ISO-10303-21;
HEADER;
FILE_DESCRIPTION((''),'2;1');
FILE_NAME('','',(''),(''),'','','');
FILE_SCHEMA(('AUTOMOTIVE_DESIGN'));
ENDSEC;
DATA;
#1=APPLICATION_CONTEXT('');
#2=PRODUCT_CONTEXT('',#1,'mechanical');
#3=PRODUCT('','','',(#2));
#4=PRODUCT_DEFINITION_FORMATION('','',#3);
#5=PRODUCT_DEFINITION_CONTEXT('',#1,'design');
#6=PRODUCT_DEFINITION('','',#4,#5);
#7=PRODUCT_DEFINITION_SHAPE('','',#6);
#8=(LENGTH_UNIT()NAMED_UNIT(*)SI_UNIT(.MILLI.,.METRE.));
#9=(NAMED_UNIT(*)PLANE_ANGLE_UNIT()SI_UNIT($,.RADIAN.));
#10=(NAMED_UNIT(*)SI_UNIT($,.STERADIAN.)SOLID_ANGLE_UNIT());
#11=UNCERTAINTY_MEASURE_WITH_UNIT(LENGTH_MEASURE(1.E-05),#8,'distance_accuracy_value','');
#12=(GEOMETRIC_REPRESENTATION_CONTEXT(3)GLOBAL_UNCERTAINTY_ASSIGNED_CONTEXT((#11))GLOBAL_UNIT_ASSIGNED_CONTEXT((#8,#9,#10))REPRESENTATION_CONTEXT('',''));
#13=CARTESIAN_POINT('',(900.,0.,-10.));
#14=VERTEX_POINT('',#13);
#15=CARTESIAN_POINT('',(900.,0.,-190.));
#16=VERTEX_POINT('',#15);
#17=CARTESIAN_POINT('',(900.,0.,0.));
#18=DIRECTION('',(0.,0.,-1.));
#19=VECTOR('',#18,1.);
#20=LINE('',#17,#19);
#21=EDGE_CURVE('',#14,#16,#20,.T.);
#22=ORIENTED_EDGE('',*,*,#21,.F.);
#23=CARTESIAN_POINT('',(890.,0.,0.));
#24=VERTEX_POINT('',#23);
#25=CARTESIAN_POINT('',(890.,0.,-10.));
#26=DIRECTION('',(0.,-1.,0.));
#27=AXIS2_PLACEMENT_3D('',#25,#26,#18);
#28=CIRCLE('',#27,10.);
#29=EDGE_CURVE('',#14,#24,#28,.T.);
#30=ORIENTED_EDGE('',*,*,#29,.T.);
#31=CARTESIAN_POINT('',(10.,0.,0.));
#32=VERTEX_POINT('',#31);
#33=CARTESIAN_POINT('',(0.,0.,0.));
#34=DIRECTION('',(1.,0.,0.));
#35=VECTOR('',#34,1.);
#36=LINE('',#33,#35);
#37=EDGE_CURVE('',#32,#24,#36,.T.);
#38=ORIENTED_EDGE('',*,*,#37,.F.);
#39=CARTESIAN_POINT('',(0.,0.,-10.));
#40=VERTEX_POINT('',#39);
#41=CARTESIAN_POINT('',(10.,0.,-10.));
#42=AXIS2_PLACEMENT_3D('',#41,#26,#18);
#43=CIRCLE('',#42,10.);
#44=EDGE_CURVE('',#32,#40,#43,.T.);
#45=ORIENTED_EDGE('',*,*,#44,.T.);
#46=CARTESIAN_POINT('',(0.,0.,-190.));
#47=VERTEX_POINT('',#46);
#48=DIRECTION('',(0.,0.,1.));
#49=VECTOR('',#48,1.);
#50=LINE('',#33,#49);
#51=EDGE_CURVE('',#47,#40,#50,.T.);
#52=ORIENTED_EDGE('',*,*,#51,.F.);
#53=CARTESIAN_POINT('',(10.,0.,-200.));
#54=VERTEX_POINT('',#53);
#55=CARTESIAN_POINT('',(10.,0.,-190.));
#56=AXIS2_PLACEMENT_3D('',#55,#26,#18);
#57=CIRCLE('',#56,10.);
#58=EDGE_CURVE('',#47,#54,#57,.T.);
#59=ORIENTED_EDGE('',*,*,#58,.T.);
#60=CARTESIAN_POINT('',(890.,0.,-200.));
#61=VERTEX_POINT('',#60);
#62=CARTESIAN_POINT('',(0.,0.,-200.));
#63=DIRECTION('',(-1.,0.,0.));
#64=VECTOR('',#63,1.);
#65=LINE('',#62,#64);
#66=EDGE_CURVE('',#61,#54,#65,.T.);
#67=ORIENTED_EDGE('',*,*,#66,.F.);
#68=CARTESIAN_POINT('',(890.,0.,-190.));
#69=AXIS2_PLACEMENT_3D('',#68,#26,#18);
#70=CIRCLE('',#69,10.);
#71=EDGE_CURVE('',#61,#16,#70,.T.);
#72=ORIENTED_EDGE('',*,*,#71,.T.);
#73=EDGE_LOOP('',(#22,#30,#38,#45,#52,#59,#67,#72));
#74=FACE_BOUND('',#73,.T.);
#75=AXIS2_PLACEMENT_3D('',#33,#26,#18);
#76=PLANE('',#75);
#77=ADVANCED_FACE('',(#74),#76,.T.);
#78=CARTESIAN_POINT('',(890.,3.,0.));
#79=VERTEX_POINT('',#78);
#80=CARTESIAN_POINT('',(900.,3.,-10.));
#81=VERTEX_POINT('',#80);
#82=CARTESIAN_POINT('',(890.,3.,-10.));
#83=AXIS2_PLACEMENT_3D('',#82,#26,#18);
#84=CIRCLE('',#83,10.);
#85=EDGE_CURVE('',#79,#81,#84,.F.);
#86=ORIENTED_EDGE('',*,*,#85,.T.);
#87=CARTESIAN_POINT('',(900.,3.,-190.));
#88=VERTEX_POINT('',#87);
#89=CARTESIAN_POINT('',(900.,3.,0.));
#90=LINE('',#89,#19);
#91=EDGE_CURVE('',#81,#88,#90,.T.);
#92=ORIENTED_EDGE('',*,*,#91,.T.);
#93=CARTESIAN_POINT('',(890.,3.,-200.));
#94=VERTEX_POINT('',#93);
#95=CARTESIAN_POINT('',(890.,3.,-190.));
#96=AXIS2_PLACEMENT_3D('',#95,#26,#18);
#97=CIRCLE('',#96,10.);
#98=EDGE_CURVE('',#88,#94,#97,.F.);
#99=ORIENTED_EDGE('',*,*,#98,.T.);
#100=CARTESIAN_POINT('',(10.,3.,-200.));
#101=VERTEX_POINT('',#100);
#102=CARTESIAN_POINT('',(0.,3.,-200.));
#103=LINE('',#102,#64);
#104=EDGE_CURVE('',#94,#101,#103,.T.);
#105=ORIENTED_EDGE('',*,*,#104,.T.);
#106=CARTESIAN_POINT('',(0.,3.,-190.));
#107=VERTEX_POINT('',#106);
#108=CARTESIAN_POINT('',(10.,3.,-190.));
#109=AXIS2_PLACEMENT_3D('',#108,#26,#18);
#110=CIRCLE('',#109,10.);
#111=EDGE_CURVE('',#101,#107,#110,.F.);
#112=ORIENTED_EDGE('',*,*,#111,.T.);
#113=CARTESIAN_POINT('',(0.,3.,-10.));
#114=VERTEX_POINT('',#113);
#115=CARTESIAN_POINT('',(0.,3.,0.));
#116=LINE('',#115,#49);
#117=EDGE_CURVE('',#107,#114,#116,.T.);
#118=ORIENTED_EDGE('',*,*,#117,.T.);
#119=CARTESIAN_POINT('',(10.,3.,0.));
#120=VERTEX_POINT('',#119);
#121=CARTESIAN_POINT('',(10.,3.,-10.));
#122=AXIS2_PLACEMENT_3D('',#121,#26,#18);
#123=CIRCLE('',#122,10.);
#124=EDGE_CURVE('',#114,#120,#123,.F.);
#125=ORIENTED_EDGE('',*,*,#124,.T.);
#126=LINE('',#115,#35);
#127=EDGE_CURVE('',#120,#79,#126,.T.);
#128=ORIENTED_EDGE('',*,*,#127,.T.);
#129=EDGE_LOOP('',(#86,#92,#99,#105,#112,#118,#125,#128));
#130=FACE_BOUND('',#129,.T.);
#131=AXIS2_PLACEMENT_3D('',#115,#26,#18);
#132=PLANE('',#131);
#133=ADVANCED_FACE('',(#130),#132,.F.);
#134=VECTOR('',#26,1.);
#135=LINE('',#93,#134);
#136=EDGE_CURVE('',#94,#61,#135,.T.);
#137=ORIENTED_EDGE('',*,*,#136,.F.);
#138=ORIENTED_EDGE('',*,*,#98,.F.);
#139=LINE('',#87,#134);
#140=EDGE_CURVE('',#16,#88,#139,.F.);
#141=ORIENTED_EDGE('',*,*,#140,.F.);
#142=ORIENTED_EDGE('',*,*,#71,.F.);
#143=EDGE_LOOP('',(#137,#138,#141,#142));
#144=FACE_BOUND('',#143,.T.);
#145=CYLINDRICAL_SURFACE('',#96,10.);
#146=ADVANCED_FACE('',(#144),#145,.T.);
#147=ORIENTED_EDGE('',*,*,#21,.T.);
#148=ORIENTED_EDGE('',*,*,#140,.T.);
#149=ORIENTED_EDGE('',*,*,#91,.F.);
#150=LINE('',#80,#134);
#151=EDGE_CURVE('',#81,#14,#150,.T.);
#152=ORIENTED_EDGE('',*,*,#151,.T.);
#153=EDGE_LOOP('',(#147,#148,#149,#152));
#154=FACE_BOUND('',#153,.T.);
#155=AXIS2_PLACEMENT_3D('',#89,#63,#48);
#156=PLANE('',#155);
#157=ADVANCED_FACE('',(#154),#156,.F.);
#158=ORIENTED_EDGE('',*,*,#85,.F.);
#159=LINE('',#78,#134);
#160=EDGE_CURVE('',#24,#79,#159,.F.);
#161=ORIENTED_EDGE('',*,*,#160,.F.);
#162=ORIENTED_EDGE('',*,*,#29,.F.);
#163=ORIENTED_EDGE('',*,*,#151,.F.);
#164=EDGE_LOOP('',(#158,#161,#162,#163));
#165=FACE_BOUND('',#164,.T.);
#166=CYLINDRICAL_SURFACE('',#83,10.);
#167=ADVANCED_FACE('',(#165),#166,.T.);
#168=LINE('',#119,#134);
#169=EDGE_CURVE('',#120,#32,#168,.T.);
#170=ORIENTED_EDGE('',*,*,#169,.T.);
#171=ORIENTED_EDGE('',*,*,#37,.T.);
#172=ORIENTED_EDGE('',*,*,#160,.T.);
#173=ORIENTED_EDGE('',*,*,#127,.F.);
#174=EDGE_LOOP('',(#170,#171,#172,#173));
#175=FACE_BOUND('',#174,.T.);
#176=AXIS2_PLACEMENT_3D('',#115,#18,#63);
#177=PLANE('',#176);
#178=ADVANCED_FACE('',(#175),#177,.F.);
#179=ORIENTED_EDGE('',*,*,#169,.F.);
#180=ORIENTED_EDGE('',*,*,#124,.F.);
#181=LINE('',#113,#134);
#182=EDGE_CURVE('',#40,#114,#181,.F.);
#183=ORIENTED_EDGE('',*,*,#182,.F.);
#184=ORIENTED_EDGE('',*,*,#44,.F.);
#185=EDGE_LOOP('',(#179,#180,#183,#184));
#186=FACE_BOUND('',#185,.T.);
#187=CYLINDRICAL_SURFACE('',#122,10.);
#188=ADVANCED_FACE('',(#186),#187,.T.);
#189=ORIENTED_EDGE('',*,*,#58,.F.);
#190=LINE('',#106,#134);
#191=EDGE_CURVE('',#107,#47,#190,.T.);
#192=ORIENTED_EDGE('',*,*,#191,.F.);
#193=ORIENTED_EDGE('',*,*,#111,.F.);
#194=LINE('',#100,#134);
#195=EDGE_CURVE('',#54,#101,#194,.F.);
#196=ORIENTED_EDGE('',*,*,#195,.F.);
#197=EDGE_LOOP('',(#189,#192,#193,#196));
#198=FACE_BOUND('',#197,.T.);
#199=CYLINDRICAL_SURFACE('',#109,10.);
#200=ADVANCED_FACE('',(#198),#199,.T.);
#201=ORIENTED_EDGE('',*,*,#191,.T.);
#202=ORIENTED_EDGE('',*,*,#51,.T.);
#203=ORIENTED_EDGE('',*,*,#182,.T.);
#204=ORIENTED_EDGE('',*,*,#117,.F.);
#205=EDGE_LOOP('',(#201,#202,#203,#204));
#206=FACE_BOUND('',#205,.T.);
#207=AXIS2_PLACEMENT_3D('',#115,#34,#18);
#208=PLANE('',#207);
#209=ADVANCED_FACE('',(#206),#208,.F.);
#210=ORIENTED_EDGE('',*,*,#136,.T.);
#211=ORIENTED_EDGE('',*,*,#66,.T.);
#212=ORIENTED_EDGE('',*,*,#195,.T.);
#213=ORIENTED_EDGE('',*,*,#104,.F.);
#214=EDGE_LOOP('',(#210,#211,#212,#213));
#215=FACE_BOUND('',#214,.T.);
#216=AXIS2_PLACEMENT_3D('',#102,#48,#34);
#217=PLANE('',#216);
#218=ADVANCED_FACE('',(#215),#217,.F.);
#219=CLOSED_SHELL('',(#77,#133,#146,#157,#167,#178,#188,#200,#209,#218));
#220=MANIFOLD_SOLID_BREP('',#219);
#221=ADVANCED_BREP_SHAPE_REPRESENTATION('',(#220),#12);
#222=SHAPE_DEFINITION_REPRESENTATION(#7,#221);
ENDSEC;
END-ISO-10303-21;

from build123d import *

# Parameters (mm, degrees)
SKETCH1_W           = 900
SKETCH1_H           = 200
BOSS_EXTRUDE1_DEPTH = 3
FILLET2_R           = 10


with BuildPart() as part:
    # Sketch1 → Boss-Extrude1 (new body)
    with BuildSketch(Plane(origin=(0, 0, 0), x_dir=(1, 0, 0), z_dir=(0, 1, 0))):
        with Locations((450, 100)):
            Rectangle(SKETCH1_W, SKETCH1_H)
    extrude(amount=BOSS_EXTRUDE1_DEPTH)

    # Fillet2
    fillet2_edges = [part.edges().sort_by_distance(p)[0] for p in [
        (0, 1.5, -200),
        (900, 1.5, -200),
        (900, 1.5, 0),
        (0, 1.5, 0),
    ]]
    fillet(fillet2_edges, radius=FILLET2_R)


solid = part.part
